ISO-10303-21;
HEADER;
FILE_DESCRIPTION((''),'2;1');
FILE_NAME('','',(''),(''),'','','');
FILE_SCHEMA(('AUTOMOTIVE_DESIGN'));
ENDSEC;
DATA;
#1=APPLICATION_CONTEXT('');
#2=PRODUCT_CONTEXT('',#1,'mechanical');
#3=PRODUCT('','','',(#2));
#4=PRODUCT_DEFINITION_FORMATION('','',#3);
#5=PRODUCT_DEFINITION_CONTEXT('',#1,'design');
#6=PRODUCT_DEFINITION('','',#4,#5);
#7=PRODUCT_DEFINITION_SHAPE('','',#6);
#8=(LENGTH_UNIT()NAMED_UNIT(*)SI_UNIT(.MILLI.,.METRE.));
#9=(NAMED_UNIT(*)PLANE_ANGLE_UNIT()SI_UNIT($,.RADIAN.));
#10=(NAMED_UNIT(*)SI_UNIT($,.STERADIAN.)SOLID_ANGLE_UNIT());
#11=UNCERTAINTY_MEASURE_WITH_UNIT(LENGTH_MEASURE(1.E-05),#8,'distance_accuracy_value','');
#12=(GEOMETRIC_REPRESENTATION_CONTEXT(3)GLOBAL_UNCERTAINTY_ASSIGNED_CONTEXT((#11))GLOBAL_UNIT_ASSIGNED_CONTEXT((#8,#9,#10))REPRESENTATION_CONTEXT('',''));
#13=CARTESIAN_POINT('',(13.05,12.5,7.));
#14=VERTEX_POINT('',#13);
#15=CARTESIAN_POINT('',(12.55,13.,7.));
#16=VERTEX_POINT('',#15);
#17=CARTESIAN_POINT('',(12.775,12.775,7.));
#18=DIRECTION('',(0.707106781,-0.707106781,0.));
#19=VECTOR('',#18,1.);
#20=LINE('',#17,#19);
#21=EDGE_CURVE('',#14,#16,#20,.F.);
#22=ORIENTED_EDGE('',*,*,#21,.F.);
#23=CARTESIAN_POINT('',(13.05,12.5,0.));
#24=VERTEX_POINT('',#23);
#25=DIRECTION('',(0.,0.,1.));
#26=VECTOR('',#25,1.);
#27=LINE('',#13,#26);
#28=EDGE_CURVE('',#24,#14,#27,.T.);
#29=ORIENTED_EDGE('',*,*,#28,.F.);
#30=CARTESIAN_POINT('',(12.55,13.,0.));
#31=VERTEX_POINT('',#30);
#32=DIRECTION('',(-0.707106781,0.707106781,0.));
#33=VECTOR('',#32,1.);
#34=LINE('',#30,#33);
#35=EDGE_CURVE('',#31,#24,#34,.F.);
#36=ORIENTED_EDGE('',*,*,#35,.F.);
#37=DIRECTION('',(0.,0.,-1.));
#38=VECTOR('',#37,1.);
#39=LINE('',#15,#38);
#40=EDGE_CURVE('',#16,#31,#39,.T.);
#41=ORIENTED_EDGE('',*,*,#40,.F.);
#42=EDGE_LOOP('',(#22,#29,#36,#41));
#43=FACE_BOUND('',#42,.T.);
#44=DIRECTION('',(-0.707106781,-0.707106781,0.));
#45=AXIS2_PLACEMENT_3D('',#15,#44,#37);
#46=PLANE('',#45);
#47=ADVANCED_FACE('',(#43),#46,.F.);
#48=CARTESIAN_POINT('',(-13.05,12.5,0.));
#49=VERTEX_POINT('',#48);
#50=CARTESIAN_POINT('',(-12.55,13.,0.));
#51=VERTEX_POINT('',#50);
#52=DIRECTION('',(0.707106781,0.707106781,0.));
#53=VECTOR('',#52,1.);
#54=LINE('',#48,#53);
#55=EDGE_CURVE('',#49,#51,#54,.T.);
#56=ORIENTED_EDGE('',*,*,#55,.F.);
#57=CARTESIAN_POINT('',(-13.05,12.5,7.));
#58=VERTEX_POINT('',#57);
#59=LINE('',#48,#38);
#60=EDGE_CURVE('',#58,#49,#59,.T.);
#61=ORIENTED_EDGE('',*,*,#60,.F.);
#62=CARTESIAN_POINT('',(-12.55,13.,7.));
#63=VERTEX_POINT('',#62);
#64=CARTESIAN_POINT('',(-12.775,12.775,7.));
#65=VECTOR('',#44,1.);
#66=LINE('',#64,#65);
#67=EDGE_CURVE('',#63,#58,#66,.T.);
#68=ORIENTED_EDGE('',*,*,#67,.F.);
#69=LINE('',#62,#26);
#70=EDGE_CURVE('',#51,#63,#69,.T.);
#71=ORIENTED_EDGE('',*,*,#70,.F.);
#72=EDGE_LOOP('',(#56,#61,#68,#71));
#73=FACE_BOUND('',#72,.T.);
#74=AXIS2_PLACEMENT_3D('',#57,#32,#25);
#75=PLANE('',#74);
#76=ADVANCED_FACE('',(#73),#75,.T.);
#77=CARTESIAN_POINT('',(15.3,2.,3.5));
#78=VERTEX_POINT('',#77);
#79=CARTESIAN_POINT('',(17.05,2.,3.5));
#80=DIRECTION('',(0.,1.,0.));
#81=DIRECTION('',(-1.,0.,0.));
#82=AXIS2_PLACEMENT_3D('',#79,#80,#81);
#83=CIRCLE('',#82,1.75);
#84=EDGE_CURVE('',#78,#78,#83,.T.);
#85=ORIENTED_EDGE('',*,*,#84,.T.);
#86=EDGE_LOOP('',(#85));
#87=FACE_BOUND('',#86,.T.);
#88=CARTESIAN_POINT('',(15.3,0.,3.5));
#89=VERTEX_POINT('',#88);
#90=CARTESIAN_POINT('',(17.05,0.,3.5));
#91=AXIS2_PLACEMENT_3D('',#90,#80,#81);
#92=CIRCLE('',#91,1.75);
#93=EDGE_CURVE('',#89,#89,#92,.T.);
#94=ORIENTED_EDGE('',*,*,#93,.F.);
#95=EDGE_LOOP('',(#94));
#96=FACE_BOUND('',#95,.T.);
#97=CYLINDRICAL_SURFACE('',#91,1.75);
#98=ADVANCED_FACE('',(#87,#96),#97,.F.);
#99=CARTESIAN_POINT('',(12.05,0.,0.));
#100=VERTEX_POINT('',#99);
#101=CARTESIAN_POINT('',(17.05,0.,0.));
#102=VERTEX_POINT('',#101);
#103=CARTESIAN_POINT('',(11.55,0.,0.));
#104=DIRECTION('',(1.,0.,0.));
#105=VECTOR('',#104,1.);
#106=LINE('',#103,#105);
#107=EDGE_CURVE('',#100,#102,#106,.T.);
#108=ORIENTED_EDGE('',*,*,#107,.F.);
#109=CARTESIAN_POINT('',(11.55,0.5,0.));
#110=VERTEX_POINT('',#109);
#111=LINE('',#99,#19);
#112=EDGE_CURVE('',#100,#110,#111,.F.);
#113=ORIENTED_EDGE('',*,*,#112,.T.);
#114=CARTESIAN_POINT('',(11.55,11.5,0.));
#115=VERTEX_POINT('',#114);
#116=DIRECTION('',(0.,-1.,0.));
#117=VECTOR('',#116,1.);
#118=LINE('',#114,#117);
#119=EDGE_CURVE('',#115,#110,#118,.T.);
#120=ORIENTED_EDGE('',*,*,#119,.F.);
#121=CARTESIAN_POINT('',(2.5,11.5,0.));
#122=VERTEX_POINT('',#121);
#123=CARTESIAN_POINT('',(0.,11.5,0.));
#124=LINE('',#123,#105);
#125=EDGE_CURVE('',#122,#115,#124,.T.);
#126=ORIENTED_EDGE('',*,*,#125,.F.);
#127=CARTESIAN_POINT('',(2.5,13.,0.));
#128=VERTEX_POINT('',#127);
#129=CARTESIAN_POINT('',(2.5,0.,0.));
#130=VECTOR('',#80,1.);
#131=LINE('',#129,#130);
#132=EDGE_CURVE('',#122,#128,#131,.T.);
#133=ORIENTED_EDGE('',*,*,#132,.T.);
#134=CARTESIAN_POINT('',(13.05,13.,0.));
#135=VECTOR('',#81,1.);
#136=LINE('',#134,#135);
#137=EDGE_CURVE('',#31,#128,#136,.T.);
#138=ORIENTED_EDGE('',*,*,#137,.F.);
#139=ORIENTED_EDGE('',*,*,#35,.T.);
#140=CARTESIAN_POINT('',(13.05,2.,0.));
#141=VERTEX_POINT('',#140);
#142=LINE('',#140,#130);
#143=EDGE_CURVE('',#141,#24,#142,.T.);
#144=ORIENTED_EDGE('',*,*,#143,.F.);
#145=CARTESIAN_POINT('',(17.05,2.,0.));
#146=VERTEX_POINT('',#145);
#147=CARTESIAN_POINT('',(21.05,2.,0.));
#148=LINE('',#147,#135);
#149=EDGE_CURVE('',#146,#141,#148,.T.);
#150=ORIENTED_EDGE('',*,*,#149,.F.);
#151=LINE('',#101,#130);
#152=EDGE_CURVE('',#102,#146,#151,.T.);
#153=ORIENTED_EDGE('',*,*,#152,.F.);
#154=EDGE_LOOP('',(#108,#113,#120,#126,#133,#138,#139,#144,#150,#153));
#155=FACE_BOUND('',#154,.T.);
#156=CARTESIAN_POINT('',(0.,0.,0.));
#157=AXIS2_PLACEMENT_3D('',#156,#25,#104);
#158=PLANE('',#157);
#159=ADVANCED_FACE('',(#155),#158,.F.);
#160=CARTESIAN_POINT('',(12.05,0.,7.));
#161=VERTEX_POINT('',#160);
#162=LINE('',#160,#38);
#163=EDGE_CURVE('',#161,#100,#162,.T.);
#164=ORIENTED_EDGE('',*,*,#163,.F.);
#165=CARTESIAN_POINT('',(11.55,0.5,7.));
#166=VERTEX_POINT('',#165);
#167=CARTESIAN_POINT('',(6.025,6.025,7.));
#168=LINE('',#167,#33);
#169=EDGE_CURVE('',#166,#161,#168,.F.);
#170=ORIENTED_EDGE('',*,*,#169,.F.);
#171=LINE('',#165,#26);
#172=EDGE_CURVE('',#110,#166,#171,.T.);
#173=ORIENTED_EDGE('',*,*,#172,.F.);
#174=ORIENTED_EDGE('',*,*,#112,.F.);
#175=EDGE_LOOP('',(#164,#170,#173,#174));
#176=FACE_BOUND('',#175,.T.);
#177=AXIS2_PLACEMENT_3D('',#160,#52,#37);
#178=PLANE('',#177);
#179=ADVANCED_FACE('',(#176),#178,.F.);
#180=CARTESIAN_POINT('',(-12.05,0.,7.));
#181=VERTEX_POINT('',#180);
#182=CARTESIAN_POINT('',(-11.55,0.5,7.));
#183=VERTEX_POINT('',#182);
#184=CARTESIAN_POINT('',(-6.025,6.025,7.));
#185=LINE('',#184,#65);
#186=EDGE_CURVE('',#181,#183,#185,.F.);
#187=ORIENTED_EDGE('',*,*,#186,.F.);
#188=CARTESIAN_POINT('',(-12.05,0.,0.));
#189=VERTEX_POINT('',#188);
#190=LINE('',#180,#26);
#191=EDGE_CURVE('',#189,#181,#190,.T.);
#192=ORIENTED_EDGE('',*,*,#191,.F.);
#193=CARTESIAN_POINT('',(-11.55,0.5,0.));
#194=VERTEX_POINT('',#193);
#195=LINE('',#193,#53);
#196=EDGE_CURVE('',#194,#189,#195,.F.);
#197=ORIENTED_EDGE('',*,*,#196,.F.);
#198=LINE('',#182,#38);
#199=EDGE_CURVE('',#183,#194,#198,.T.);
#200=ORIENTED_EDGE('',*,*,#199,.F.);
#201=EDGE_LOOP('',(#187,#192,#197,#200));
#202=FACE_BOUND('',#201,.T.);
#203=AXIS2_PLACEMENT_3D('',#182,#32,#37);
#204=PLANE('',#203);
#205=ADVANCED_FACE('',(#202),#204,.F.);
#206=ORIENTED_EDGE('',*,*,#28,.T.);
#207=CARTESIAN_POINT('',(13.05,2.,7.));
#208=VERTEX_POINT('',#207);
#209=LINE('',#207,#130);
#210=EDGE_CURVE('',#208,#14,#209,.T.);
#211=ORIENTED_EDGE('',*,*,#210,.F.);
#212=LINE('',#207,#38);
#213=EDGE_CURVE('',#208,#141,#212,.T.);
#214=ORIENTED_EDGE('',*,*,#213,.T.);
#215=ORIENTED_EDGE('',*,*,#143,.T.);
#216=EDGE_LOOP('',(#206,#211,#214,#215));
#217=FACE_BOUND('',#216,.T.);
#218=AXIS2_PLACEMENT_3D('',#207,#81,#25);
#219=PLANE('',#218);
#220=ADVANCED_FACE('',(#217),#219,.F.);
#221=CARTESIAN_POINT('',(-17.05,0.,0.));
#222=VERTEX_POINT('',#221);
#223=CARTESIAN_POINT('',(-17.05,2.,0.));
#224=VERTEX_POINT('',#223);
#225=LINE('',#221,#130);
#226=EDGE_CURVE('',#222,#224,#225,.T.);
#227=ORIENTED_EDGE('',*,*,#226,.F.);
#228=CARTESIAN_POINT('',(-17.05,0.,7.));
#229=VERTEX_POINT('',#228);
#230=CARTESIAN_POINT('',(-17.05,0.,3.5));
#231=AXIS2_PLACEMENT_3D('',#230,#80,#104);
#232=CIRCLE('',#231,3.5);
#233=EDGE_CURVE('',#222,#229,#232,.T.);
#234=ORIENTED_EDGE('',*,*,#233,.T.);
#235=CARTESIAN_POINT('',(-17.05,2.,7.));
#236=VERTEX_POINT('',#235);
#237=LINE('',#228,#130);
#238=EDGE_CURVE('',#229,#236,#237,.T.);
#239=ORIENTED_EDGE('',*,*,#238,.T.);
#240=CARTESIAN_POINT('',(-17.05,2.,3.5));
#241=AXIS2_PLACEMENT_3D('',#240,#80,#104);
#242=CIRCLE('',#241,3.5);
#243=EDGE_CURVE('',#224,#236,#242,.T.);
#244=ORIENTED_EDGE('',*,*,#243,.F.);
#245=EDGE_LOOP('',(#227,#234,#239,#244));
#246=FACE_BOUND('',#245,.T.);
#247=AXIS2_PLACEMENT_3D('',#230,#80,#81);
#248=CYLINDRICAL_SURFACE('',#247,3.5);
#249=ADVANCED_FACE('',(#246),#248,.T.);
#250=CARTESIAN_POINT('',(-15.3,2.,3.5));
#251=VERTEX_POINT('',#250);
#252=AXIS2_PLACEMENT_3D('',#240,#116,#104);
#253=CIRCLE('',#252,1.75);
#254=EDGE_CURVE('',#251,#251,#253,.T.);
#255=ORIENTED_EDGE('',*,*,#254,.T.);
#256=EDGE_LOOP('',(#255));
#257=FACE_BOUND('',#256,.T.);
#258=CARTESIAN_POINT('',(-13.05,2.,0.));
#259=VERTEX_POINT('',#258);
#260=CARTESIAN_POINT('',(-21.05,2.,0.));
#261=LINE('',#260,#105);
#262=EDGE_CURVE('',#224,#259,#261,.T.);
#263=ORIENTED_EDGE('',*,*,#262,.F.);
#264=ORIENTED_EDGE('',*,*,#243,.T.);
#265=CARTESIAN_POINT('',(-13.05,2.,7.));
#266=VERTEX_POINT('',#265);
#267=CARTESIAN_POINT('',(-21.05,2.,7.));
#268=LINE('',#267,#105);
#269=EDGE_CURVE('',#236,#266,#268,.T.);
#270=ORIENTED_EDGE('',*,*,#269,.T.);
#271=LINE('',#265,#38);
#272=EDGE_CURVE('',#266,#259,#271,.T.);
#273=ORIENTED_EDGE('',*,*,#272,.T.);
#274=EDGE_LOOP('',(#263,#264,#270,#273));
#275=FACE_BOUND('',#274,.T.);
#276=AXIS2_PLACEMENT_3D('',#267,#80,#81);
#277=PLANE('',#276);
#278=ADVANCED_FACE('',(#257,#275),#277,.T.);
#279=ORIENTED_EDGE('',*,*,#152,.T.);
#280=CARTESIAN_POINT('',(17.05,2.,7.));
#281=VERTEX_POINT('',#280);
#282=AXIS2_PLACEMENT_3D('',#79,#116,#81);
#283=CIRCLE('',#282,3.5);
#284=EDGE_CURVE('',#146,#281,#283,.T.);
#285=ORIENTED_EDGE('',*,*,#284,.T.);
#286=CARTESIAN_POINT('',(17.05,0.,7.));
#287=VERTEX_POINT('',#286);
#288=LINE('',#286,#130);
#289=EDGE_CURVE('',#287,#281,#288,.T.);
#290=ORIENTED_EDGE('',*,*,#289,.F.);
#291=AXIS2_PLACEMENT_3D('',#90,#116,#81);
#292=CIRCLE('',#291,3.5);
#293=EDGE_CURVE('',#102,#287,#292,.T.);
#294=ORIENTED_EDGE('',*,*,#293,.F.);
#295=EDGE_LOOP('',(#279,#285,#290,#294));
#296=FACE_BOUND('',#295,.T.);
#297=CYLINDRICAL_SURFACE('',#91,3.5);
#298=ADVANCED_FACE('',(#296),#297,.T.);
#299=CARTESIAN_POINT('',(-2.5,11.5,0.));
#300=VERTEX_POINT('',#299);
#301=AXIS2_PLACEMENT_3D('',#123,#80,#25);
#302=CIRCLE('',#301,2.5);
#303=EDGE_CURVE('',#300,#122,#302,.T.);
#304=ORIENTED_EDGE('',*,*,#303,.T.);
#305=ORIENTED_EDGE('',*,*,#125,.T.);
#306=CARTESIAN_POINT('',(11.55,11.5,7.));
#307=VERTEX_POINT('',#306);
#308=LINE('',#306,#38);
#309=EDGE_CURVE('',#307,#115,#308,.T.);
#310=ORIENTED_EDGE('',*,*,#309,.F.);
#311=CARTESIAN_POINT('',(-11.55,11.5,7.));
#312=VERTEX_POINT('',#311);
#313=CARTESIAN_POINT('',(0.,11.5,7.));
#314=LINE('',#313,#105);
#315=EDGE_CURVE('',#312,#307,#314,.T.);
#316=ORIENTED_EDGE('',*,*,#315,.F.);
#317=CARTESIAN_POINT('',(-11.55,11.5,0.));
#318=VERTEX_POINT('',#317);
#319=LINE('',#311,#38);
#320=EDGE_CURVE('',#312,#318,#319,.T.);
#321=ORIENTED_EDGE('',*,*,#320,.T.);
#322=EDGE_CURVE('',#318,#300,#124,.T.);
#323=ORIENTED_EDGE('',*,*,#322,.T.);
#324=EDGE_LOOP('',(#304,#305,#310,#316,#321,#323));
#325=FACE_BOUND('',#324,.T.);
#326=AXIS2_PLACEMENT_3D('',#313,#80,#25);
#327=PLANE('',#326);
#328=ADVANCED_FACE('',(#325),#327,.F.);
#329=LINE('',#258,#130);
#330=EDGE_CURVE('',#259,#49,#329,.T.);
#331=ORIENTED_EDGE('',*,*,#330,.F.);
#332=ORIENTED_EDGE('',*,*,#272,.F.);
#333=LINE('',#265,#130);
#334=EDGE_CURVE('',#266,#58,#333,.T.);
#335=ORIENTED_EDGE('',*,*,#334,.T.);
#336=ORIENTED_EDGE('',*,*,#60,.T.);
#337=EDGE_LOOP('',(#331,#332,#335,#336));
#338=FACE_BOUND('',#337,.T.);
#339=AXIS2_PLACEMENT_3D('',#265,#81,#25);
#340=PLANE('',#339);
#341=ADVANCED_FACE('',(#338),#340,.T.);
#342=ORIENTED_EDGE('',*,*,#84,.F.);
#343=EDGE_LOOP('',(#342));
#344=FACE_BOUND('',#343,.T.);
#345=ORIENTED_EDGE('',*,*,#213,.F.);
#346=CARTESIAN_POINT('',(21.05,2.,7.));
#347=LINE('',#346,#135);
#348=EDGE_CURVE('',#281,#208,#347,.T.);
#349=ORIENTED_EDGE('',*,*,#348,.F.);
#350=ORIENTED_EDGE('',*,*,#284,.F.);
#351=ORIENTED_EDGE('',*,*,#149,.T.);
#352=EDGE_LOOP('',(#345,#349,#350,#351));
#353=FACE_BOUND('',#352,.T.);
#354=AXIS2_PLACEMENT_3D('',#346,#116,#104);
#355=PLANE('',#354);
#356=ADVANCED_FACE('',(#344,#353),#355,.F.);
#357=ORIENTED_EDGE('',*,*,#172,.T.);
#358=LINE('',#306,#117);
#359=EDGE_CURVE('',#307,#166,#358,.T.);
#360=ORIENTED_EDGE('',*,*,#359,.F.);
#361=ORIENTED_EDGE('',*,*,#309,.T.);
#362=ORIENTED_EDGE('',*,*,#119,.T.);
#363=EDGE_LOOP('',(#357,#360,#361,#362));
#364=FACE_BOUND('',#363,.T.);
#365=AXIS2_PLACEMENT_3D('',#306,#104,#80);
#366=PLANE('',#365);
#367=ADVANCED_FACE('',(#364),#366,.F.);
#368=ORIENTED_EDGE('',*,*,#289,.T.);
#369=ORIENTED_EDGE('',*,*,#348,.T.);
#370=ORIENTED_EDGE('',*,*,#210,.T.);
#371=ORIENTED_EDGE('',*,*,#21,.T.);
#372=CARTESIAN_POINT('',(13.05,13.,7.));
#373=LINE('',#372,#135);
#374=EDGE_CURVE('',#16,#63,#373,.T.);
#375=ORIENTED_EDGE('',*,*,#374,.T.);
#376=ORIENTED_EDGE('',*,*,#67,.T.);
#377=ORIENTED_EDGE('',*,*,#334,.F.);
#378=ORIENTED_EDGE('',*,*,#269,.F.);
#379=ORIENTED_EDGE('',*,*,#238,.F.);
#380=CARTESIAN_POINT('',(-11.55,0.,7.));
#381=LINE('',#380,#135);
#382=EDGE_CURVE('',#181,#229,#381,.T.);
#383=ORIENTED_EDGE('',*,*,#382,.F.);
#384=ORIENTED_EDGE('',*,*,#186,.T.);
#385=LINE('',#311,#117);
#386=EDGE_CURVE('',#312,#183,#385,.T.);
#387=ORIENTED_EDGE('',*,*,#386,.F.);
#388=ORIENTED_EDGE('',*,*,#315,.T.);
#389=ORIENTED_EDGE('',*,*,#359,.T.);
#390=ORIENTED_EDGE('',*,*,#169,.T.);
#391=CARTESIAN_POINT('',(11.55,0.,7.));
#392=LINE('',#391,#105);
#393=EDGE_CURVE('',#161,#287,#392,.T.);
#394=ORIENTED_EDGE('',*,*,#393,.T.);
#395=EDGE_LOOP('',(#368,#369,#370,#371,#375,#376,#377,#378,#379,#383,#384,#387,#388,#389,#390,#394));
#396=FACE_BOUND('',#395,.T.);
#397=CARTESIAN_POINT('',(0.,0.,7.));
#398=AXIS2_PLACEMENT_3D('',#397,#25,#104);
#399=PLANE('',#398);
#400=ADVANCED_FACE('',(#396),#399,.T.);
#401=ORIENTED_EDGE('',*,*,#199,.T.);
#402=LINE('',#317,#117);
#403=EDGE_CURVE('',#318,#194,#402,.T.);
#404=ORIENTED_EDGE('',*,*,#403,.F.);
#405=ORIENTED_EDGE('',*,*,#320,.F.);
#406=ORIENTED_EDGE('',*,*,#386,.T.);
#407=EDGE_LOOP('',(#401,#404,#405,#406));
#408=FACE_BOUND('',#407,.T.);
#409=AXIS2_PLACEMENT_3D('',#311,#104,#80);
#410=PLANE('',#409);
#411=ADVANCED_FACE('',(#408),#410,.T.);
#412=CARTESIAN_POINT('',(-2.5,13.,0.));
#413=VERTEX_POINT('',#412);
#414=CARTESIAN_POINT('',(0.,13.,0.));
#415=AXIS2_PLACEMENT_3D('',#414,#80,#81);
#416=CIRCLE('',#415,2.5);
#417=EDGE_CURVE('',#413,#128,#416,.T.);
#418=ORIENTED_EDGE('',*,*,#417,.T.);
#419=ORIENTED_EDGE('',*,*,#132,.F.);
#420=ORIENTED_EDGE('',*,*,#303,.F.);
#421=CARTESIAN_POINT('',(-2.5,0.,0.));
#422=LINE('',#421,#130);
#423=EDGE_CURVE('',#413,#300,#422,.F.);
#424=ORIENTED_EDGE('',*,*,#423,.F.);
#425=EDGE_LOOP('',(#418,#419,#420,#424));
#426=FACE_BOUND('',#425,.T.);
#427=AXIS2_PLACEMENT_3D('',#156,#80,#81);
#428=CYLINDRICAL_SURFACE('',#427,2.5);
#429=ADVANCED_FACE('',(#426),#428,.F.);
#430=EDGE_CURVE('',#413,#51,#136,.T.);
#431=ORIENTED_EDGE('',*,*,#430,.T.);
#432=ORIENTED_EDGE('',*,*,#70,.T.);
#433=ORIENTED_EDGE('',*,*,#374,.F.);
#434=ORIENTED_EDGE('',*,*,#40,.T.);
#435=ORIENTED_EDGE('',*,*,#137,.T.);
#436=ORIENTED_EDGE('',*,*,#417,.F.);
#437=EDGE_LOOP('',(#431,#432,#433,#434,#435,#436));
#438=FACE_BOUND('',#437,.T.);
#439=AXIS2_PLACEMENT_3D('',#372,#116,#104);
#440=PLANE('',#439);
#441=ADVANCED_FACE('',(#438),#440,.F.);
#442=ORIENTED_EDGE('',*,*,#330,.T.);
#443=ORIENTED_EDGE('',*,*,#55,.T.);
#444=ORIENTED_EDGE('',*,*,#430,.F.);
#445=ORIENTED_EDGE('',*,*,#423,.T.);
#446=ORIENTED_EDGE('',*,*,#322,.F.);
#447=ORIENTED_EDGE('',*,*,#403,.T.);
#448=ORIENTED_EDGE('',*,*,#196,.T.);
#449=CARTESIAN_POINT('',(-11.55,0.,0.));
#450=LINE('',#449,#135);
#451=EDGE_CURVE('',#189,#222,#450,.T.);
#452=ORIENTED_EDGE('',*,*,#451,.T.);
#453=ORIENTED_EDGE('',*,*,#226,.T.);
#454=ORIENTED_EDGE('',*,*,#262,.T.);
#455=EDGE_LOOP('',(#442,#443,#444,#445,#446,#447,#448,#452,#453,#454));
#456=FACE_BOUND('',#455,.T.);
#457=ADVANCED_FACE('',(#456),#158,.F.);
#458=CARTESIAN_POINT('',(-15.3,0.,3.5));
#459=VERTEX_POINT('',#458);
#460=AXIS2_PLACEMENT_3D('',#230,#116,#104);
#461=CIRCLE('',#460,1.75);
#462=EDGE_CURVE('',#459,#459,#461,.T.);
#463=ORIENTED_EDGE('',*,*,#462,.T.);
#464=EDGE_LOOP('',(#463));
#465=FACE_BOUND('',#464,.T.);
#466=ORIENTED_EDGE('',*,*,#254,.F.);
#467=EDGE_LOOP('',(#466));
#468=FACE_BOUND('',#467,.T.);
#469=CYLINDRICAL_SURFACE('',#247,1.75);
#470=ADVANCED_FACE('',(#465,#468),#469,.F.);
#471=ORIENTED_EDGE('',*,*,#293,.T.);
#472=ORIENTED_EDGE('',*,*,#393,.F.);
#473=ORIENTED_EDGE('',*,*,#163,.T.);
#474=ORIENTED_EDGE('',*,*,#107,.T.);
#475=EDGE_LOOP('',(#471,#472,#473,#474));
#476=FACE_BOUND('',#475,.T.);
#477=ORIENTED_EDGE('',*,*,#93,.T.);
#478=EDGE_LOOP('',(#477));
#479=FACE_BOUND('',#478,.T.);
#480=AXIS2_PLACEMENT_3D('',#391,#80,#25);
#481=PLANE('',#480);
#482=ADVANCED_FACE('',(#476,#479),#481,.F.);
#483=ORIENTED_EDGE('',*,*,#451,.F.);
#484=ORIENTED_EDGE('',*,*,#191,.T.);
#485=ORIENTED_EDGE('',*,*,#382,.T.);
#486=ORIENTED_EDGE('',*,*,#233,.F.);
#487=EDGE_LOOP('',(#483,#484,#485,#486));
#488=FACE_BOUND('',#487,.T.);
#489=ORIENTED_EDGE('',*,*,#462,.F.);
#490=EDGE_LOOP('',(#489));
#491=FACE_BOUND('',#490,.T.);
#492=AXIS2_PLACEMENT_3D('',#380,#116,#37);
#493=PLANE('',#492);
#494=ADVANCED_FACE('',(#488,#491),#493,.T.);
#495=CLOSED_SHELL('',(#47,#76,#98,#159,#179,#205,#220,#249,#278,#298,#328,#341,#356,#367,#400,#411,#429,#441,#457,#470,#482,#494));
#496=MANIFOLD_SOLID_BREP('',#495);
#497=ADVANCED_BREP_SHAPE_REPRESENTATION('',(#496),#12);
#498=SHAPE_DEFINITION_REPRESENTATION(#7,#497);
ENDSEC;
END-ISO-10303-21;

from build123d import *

# Parameters (mm, degrees)
BOSS_EXTRUDE1_DEPTH      = 7
SKETCH2_R                = 1.75
CUT_EXTRUDE1_DEPTH       = 25.760906688
CHAMFER1_SIZE            = 0.5
CHAMFER1_OF_MIRROR1_SIZE = 0.5
CUT_EXTRUDE2_DEPTH       = 26.304199256


with BuildPart() as part:
    # Sketch1 → Boss-Extrude1 (new body)
    with BuildSketch(Plane.XY):
        Polygon((0, 11.5), (11.55, 11.5), (11.55, 0), (21.05, 0), (21.05, 2), (13.05, 2), (13.05, 13), (0, 13), align=None)
    boss_extrude1 = extrude(amount=BOSS_EXTRUDE1_DEPTH)

    # Sketch2 → Cut-Extrude1 (cut, through all)
    with BuildSketch(Plane(origin=(0, 2, 0), x_dir=(1, 0, 0), z_dir=(0, 1, 0))):
        with Locations(Location((17.05, -3.5, 0), (0, 0, 180))):
            Circle(SKETCH2_R)
        with BuildLine():
            Line((17.05, 0), (21.05, 0))
            Line((21.05, 0), (21.05, -7))
            Line((21.05, -7), (17.05, -7))
            ThreePointArc((17.05, -7), (20.55, -3.5), (17.05, 0))
        make_face()
    cut_extrude1 = extrude(amount=-CUT_EXTRUDE1_DEPTH, mode=Mode.SUBTRACT)

    # Chamfer1
    chamfer1_edges = [part.edges().sort_by_distance(p)[0] for p in [
        (11.55, 0, 3.5),
        (13.05, 13, 3.5),
    ]]
    chamfer(chamfer1_edges, length=CHAMFER1_SIZE)

    # Mirror1: Boss-Extrude1, Cut-Extrude1 across plane
    add(boss_extrude1.mirror(Plane(origin=(0, 0, 0), x_dir=(0, 0, 1), z_dir=(1, 0, 0))))
    add(cut_extrude1.mirror(Plane(origin=(0, 0, 0), x_dir=(0, 0, 1), z_dir=(1, 0, 0))), mode=Mode.SUBTRACT)

    # Chamfer1 of Mirror1
    chamfer1_of_mirror1_edges = [part.edges().sort_by_distance(p)[0] for p in [
        (-11.55, 0, 3.5),
        (-13.05, 13, 3.5),
    ]]
    chamfer(chamfer1_of_mirror1_edges, length=CHAMFER1_OF_MIRROR1_SIZE)

    # Sketch3 → Cut-Extrude2 (cut, through all)
    with BuildSketch(Plane(origin=(0, 13, 0), x_dir=(1, 0, 0), z_dir=(0, 1, 0))):
        with BuildLine():
            Line((-2.5, 0), (2.5, 0))
            ThreePointArc((2.5, 0), (0, -2.5), (-2.5, 0))
        make_face()
    extrude(amount=-CUT_EXTRUDE2_DEPTH, mode=Mode.SUBTRACT)


solid = part.part
